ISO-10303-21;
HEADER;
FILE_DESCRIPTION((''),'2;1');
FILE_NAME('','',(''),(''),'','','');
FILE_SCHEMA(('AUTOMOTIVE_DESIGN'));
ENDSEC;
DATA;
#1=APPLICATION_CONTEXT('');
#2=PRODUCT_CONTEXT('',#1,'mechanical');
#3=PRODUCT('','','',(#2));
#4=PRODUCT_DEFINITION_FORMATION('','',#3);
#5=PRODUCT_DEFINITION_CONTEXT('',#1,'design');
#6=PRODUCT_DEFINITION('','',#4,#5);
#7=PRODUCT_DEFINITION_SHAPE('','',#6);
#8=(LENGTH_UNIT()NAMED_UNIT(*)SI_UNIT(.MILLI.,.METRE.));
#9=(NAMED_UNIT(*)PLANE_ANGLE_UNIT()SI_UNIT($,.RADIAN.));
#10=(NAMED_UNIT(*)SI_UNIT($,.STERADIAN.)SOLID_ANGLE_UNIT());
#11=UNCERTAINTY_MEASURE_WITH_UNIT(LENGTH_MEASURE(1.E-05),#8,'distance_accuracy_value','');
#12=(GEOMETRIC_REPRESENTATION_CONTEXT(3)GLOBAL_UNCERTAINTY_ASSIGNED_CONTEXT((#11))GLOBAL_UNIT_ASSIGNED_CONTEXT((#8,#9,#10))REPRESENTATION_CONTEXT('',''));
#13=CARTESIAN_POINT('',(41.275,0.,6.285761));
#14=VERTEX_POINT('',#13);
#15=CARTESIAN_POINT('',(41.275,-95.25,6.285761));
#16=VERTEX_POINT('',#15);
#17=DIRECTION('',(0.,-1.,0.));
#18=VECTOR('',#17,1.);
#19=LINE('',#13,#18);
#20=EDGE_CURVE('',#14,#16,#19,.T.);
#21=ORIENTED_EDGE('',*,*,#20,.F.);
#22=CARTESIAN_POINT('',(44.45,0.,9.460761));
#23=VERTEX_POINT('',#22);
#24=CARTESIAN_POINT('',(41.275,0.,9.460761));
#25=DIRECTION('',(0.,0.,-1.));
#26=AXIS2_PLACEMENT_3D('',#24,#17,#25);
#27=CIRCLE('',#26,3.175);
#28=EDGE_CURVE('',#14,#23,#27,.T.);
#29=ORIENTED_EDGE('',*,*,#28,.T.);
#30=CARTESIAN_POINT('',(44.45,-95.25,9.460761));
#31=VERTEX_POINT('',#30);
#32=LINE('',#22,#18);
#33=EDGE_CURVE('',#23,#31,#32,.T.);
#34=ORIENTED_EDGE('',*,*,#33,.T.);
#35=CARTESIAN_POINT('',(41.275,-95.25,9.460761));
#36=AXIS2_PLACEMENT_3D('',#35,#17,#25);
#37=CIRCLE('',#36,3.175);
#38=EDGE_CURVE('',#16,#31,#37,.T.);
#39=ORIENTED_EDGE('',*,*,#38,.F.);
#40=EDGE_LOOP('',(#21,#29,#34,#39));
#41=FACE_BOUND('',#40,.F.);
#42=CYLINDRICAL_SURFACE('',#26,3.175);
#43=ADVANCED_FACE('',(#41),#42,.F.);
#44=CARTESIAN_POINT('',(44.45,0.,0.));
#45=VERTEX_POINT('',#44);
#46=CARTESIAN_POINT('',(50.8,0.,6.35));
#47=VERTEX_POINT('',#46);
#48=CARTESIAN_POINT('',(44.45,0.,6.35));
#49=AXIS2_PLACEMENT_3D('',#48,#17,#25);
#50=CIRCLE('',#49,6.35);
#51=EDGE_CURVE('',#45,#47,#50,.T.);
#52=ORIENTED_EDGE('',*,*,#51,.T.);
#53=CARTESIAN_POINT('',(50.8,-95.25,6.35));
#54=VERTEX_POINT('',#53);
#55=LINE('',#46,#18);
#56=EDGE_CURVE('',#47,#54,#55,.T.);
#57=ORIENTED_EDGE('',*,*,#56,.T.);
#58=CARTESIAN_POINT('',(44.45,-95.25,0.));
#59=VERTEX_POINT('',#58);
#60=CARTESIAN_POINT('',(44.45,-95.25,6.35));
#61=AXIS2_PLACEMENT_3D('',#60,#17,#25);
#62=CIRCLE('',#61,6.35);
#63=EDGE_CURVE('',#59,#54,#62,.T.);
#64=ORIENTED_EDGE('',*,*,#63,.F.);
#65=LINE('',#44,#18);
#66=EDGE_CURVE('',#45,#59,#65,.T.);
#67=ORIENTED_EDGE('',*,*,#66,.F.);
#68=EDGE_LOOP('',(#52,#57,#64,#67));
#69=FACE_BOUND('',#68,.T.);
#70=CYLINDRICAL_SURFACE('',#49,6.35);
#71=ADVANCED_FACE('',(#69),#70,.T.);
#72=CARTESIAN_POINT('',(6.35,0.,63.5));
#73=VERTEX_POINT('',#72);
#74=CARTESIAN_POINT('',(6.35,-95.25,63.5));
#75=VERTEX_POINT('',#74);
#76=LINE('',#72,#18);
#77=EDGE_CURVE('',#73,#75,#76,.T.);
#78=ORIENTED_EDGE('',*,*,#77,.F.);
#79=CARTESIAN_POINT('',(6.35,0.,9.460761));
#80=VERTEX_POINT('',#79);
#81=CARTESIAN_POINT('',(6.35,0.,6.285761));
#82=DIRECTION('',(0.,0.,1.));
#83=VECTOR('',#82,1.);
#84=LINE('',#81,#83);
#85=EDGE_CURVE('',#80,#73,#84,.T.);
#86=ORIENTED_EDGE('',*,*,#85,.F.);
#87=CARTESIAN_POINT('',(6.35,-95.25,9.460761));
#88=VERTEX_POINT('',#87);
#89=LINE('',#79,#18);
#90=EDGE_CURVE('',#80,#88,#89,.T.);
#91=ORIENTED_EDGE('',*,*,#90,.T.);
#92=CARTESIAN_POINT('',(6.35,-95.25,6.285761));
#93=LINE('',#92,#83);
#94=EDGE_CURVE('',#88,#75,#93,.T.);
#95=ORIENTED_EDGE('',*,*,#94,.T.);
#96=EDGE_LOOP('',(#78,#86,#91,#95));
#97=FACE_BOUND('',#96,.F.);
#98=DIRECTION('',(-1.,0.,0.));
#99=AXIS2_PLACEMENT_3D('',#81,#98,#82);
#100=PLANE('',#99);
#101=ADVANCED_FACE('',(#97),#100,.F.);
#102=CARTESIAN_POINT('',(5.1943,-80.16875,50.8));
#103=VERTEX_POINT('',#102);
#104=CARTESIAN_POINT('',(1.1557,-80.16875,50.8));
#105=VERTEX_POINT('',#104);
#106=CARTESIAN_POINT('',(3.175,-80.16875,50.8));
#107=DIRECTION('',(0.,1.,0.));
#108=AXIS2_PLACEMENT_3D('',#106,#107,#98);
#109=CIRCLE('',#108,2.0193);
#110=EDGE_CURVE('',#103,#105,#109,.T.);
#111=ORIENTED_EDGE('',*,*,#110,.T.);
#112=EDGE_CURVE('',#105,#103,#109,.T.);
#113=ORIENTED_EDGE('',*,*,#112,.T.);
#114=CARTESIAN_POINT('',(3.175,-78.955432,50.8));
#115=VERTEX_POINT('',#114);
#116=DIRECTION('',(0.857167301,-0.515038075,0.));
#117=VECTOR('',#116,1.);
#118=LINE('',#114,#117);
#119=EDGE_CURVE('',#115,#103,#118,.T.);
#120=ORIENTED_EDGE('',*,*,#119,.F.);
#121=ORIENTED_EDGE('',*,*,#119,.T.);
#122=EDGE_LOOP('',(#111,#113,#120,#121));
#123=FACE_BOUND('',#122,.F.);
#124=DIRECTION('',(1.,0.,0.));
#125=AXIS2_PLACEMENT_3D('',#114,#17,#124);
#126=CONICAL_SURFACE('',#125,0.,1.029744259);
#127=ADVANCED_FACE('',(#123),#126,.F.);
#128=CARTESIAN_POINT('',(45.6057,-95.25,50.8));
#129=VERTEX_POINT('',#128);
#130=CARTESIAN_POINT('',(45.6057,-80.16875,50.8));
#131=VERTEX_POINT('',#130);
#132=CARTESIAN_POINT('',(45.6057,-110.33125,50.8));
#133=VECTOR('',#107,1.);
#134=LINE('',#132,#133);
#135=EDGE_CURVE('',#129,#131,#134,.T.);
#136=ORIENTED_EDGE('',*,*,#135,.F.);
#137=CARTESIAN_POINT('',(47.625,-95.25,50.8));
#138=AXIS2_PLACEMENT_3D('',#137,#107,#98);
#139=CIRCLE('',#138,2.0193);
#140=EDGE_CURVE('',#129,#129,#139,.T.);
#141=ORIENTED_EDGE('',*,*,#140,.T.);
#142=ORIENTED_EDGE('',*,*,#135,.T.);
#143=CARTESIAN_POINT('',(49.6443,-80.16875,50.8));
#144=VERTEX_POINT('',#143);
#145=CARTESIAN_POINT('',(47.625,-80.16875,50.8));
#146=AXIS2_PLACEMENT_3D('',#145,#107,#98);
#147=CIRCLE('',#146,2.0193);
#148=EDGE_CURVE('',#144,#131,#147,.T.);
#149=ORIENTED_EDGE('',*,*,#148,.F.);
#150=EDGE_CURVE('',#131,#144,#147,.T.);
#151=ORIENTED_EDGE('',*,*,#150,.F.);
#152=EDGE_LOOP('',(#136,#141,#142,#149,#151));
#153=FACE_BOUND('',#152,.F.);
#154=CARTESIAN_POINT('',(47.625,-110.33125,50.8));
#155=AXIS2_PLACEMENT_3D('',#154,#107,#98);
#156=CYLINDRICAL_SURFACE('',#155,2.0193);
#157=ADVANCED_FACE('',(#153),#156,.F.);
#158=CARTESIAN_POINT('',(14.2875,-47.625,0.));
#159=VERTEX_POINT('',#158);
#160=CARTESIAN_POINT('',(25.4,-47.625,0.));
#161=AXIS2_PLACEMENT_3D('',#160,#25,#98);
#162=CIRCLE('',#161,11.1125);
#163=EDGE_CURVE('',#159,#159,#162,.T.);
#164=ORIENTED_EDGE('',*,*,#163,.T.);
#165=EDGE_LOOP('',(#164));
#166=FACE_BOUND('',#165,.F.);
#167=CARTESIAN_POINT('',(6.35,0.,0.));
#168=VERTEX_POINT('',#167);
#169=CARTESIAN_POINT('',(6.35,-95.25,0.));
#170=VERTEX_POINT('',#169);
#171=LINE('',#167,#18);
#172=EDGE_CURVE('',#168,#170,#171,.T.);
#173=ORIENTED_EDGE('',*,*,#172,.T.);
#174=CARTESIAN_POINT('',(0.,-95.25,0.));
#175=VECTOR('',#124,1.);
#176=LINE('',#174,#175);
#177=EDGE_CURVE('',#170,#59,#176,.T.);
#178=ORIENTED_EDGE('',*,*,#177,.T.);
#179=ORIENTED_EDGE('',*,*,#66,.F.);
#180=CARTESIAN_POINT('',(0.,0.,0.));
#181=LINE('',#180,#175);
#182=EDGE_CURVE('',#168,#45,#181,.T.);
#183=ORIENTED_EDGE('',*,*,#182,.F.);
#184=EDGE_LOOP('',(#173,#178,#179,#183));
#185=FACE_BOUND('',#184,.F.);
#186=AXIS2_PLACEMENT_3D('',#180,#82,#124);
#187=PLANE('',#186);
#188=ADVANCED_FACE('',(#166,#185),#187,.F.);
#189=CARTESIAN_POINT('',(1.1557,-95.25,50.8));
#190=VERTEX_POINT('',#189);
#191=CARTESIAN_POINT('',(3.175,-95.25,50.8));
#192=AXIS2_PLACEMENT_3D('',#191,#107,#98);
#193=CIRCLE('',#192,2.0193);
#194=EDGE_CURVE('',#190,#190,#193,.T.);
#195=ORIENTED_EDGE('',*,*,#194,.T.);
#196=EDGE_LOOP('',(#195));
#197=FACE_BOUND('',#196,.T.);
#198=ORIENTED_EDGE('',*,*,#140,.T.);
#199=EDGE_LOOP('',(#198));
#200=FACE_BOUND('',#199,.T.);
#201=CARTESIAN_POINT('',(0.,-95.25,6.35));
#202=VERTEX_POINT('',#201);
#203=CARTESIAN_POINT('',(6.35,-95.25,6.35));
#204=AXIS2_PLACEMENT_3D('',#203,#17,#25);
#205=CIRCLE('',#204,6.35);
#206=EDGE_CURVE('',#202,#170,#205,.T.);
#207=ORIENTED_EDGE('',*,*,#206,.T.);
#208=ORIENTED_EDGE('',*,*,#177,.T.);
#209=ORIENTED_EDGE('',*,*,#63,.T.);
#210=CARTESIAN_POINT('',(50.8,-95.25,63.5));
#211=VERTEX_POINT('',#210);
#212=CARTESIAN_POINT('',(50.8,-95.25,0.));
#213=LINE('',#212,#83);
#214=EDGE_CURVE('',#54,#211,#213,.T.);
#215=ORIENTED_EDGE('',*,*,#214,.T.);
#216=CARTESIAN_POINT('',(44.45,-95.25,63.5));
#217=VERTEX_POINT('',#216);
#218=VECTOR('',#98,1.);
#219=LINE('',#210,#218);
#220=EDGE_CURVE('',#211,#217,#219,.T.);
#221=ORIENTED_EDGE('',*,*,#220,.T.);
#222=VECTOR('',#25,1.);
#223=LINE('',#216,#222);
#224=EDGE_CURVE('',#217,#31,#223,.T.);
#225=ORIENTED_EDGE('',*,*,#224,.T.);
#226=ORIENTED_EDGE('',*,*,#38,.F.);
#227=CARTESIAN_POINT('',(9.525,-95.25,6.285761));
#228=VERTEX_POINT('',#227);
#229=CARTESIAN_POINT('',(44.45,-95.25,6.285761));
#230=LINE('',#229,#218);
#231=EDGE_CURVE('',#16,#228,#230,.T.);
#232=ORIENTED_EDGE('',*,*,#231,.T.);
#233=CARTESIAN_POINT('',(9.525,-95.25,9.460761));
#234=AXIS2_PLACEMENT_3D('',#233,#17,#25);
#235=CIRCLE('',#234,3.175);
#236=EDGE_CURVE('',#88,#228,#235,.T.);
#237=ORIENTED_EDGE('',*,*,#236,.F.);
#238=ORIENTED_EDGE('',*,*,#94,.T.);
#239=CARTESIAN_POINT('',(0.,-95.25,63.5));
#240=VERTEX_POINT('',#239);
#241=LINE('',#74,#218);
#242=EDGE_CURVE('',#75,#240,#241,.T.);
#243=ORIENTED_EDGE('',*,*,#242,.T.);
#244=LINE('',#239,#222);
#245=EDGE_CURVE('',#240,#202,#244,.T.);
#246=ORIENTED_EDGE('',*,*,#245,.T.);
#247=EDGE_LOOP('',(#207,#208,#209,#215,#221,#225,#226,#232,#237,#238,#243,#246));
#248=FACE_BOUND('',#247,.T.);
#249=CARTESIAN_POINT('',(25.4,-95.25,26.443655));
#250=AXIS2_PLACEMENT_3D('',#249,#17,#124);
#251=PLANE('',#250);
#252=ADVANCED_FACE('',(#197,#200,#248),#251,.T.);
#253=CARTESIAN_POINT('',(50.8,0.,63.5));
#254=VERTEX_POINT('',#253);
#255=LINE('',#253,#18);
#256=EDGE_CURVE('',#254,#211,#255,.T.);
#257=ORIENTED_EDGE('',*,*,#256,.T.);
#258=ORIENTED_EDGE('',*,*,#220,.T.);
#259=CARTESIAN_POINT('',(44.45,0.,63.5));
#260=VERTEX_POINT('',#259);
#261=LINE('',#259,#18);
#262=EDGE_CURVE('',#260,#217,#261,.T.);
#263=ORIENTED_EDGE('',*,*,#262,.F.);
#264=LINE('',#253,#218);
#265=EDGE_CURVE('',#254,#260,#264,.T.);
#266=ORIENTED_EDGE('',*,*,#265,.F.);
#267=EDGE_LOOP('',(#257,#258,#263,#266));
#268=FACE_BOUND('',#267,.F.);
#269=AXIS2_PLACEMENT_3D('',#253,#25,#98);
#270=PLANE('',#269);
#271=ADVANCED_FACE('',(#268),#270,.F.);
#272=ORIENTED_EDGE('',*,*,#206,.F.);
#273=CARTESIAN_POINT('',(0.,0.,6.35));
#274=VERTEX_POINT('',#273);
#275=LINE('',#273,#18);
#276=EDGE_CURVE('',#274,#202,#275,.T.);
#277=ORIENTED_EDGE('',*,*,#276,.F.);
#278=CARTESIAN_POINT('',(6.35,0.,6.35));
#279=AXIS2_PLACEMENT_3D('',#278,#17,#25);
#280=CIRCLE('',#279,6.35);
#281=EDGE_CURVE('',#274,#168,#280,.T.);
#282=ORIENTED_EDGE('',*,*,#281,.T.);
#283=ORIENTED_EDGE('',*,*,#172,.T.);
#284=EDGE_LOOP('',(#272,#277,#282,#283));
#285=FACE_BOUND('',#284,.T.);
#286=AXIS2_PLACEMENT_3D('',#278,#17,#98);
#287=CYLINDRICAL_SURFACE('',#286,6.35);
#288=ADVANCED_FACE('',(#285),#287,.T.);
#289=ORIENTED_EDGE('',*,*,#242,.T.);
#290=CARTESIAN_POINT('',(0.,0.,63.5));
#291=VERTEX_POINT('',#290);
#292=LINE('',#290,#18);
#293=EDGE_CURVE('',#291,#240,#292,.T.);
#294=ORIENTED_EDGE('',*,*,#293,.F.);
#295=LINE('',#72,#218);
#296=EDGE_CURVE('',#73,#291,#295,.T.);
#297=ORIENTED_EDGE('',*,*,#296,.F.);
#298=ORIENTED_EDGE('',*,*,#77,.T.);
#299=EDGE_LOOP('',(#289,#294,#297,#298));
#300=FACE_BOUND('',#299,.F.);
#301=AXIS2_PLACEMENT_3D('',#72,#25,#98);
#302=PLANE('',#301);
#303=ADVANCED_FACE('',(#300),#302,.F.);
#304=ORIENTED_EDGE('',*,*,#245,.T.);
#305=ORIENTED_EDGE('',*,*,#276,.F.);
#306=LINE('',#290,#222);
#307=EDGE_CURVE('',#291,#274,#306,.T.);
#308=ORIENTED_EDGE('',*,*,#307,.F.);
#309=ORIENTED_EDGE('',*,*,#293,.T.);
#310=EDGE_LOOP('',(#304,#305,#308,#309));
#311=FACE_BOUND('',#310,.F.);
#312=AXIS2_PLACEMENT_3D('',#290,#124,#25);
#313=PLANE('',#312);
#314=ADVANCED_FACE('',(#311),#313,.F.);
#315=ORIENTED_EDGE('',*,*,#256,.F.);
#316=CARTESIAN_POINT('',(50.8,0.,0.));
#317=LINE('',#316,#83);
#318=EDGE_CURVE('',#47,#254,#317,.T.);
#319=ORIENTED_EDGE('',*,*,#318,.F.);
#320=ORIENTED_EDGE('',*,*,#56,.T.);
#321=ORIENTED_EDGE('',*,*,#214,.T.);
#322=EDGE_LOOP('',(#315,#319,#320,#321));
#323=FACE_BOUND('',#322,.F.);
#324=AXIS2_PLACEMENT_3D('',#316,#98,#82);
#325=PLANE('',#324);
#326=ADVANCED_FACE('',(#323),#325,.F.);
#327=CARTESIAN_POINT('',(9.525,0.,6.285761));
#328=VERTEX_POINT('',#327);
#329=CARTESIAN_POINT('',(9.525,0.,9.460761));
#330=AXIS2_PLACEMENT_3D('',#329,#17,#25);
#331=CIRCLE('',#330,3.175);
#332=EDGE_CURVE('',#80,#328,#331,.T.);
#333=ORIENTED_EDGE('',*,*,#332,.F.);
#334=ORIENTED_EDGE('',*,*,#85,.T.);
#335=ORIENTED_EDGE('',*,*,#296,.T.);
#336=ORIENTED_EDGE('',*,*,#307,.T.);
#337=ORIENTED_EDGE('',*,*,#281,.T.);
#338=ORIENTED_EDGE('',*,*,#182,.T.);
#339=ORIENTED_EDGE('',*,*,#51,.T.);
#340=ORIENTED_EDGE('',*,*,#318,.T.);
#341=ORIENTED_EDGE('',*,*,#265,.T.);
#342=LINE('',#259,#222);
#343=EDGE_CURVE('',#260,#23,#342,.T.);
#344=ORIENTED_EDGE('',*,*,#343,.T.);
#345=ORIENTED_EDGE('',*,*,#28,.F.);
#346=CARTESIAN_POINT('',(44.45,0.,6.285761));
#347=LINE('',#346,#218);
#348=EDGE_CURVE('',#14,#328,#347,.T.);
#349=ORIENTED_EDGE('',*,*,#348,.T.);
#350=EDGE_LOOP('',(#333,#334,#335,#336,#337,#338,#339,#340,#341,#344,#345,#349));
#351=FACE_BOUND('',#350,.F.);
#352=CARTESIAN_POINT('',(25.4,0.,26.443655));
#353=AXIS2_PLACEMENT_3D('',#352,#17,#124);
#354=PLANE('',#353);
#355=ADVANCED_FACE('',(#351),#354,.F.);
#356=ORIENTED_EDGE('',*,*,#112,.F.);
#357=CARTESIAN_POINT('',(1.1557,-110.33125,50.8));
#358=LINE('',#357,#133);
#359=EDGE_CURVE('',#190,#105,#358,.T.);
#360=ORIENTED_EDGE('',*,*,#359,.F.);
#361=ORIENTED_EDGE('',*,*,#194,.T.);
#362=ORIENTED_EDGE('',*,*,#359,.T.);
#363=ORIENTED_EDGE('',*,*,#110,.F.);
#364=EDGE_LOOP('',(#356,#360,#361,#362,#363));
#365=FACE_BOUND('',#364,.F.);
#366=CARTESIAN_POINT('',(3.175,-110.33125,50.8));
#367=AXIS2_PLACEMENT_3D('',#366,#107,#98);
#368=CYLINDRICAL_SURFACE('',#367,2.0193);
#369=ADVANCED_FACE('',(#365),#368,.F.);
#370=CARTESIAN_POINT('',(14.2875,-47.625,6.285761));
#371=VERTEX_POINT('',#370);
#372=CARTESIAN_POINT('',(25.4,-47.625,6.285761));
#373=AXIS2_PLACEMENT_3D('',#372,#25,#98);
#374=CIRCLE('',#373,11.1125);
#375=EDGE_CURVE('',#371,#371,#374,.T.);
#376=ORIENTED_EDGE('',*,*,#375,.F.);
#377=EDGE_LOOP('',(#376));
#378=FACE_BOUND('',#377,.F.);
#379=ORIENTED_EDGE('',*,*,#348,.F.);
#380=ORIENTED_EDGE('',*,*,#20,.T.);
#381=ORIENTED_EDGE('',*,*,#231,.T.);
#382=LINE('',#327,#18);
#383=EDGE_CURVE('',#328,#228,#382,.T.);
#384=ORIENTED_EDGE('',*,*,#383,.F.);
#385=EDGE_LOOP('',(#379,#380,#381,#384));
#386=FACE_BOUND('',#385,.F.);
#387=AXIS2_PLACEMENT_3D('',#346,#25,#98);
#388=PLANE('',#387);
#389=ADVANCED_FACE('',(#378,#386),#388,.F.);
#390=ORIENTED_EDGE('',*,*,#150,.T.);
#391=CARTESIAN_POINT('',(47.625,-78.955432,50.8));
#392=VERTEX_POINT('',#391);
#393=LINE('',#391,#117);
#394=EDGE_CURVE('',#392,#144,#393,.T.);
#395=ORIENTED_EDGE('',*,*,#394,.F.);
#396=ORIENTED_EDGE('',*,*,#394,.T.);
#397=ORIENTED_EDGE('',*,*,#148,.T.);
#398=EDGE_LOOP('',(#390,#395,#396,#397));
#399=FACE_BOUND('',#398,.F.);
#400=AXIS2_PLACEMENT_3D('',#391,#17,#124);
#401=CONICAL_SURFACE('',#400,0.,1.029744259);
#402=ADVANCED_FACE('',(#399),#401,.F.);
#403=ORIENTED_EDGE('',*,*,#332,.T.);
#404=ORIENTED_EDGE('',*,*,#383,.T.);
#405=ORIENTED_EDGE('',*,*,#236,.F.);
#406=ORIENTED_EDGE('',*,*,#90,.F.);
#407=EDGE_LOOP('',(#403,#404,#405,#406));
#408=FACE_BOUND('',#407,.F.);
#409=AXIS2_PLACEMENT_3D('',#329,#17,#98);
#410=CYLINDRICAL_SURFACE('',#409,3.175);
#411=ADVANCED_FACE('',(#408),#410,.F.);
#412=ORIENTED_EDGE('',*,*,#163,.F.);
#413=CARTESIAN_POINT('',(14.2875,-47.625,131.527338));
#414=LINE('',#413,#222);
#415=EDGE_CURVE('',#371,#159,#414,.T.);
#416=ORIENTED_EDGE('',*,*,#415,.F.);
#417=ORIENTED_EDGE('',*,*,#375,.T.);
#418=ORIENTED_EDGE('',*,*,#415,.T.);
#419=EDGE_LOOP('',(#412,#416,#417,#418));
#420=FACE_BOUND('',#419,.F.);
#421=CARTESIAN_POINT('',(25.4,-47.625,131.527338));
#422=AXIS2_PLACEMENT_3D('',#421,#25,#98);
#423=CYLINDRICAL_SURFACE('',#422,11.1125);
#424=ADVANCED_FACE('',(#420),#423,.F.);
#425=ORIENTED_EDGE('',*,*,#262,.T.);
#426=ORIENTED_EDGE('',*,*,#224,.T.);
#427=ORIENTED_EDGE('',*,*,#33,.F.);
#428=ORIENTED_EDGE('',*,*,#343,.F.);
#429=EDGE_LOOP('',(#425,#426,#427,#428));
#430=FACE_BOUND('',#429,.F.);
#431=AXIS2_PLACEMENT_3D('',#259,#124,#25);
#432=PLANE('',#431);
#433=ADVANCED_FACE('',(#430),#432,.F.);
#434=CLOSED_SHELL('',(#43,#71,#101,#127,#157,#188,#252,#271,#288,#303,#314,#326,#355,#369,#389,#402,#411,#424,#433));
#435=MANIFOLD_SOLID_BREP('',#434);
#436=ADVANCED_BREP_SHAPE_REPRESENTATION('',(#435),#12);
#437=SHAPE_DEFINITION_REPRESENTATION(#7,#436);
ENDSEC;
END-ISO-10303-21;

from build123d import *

# Parameters (mm, degrees)
F1_DEPTH = 95.25
F2_R     = 6.35
F3_R     = 3.175
F5_D     = 4.0386
F5_DEPTH = 15.08125
F5_TIP   = 1.213317848
F7_D     = 22.225


with BuildPart() as f1:
    # F0 (on Front) → F1 (new body)
    with BuildSketch(Plane.XZ):
        Polygon((0, 63.5), (0, 0), (50.8, 0), (50.8, 63.5), (44.45, 63.5), (44.45, 6.2857610174), (6.35, 6.2857610174), (6.35, 63.5), align=None)
    extrude(amount=F1_DEPTH)

    # F2
    f2_edges = [f1.edges().sort_by_distance(p)[0] for p in [
        (50.8, -47.625, 0),
        (0, -47.625, 0),
    ]]
    fillet(f2_edges, radius=F2_R)

    # F3
    f3_edges = [f1.edges().sort_by_distance(p)[0] for p in [
        (44.45, -47.625, 6.285761),
        (6.35, -47.625, 6.285761),
    ]]
    fillet(f3_edges, radius=F3_R)

    # F5
    with Locations(Plane.XZ.offset(95.25)):
        with Locations((3.175, 50.8), (47.625, 50.8)):
            Hole(F5_D / 2, depth=F5_DEPTH)
            with Locations((0, 0, -(F5_DEPTH + F5_TIP / 2))):  # 118° drill point
                Cone(0, F5_D / 2, F5_TIP, mode=Mode.SUBTRACT)

    # F7 (through all)
    with Locations(Plane.XY.offset(6.2857610174)):
        with Locations((25.4, -47.625)):
            Hole(F7_D / 2)


solid = f1.part
